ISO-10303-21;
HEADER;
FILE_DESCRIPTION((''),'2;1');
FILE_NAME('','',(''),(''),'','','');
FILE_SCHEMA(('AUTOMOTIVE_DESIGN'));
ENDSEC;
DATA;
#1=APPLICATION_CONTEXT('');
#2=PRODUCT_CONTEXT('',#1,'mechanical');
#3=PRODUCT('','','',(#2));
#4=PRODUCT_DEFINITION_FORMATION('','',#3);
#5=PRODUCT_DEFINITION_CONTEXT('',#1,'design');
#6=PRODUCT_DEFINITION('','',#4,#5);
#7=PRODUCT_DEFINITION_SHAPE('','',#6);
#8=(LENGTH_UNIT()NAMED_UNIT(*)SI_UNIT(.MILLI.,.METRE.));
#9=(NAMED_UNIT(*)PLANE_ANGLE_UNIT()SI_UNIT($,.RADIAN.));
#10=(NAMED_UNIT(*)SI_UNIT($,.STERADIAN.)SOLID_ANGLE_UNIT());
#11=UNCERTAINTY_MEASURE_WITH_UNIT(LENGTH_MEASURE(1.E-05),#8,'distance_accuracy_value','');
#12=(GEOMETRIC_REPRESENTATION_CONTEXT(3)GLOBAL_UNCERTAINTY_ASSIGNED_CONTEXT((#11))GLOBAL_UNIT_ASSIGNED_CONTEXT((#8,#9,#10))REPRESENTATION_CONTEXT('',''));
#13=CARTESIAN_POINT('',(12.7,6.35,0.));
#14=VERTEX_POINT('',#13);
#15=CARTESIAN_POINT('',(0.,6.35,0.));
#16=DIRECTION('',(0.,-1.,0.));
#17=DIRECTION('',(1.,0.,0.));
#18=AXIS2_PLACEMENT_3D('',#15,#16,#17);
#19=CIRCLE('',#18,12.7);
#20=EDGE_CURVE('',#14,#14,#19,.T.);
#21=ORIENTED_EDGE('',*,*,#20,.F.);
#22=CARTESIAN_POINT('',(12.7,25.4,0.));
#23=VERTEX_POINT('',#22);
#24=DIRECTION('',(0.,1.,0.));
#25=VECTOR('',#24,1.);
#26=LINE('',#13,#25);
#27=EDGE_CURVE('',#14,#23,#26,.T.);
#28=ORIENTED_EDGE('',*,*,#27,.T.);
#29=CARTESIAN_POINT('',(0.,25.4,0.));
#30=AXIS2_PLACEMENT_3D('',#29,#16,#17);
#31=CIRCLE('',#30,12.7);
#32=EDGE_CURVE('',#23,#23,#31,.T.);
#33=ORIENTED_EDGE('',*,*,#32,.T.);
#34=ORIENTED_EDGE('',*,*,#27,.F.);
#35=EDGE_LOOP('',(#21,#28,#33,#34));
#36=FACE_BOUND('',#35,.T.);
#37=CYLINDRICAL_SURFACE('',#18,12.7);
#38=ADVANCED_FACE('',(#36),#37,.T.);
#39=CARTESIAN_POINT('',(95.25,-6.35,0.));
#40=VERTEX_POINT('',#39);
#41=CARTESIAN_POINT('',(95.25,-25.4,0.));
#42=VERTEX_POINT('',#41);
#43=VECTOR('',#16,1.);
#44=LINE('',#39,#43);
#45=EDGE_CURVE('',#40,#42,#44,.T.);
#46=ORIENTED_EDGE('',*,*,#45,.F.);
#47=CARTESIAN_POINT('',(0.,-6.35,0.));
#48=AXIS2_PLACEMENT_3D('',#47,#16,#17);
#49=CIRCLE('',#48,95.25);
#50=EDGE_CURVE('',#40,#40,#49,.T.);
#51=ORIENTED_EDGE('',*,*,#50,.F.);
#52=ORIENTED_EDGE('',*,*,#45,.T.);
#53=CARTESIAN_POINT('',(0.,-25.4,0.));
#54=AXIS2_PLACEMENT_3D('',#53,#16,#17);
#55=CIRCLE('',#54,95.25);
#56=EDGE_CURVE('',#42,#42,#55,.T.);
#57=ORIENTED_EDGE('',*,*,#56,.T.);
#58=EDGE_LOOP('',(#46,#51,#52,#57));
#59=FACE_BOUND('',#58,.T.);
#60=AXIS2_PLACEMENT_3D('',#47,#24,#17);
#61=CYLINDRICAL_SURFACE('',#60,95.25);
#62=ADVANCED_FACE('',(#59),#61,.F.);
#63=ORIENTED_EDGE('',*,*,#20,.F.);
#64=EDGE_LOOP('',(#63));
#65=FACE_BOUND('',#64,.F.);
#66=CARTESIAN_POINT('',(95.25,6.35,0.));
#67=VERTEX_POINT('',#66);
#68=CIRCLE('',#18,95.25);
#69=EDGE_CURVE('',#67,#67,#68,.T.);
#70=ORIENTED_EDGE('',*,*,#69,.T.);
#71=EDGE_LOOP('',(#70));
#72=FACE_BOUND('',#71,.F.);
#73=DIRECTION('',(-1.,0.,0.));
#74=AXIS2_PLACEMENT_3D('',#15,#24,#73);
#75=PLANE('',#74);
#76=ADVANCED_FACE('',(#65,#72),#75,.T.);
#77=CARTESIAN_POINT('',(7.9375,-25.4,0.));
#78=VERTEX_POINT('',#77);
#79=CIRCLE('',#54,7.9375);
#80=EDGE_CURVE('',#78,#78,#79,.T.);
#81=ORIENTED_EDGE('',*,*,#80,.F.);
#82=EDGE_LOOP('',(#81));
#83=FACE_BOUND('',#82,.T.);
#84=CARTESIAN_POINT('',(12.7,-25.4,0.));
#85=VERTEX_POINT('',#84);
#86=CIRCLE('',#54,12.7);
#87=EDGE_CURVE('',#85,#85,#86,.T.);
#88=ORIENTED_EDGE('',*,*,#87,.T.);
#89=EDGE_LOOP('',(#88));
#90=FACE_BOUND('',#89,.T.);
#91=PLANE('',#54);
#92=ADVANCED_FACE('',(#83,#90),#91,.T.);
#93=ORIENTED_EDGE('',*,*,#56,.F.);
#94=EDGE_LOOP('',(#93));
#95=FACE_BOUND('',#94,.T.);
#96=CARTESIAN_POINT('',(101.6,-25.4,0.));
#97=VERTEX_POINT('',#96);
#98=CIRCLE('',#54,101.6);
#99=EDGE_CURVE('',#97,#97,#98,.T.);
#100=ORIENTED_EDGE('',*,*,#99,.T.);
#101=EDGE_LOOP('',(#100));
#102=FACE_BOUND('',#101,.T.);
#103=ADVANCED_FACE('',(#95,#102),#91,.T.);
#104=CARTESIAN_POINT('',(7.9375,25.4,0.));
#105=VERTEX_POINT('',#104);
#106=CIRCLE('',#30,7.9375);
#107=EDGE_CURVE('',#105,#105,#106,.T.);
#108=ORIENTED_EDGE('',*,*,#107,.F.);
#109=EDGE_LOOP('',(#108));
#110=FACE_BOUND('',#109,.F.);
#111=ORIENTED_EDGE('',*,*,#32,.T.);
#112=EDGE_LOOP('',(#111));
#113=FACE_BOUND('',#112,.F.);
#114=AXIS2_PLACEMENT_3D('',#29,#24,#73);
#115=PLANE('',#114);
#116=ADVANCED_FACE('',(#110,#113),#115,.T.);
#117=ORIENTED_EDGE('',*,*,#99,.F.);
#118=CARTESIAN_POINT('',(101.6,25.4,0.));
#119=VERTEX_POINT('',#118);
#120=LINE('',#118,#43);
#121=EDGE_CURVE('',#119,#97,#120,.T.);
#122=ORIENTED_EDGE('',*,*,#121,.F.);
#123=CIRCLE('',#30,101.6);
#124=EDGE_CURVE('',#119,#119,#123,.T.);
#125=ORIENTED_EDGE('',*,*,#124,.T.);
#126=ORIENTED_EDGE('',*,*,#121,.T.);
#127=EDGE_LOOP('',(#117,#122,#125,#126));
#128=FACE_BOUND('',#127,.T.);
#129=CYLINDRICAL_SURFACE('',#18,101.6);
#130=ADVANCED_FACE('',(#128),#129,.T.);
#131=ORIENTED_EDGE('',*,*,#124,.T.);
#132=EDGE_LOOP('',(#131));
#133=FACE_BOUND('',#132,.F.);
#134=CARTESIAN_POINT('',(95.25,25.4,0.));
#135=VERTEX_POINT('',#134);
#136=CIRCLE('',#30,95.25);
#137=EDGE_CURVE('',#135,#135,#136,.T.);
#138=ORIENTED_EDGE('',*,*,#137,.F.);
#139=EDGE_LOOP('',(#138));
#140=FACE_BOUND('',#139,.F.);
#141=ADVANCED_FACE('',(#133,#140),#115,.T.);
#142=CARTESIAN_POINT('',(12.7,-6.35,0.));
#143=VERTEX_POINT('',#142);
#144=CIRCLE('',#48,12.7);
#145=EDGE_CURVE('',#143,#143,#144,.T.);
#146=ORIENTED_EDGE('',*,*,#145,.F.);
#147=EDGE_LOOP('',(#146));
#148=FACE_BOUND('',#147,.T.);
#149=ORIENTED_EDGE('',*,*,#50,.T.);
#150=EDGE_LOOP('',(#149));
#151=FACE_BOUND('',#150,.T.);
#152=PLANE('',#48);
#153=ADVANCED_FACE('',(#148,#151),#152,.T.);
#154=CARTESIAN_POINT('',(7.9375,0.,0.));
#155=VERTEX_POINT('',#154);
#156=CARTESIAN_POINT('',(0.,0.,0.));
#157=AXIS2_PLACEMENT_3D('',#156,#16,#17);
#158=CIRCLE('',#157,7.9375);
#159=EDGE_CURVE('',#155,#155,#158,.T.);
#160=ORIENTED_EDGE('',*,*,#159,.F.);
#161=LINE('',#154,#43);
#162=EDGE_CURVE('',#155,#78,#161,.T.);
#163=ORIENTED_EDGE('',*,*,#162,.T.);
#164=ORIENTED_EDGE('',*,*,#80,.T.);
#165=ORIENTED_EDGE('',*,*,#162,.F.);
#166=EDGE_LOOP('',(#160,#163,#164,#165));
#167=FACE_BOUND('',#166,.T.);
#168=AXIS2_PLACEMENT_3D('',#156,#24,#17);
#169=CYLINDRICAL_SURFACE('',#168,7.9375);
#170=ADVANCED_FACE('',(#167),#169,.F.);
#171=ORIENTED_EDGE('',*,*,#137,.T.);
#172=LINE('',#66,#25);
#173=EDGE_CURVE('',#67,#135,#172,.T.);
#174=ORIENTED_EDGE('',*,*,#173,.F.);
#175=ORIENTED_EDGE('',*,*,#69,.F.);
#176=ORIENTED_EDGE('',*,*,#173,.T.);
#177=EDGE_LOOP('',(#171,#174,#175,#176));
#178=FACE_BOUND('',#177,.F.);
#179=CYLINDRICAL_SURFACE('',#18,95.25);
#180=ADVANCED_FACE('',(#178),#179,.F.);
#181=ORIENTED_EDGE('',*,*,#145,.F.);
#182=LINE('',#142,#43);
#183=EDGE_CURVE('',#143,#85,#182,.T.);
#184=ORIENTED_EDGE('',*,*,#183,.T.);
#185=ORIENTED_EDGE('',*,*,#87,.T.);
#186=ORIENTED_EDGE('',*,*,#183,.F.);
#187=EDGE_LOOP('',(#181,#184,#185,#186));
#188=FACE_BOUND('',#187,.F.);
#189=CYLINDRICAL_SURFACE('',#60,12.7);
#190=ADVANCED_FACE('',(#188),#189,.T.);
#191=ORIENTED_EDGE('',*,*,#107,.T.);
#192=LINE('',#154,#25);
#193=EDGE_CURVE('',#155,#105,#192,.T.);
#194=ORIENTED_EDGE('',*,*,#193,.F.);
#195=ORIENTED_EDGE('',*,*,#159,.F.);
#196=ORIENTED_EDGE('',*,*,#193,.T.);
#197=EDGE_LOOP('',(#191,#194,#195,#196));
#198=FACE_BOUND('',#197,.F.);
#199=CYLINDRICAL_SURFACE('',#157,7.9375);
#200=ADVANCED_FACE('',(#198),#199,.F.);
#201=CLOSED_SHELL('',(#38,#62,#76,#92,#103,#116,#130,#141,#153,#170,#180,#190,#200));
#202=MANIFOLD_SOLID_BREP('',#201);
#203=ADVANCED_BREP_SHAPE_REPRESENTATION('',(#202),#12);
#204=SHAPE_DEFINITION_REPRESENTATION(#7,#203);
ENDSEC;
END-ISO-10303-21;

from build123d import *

# Parameters (mm, degrees)
F0_R     = 101.6
F0_R_2   = 7.9375
F1_DEPTH = 6.35
F2_R     = 101.6
F2_R_2   = 95.25
F2_R_3   = 12.7
F2_R_4   = 7.9375
F3_DEPTH = 19.05


with BuildPart() as f1:
    # F0 (on Front) → F1 (new body)
    with BuildSketch(Plane.XZ):
        Circle(F0_R)
        Circle(F0_R_2, mode=Mode.SUBTRACT)
    extrude(amount=F1_DEPTH)

    # F2 (on face) → F3 (join)
    with BuildSketch(Plane.XZ.offset(6.35)):
        Circle(F2_R)
        Circle(F2_R_2, mode=Mode.SUBTRACT)
        Circle(F2_R_3)
        Circle(F2_R_4, mode=Mode.SUBTRACT)
    extrude(amount=F3_DEPTH)

    # F4: F1 across plane


with BuildPart() as f1_1:
    add(f1.part)
    add(f1.part.mirror(Plane.XZ))


solid = f1_1.part
